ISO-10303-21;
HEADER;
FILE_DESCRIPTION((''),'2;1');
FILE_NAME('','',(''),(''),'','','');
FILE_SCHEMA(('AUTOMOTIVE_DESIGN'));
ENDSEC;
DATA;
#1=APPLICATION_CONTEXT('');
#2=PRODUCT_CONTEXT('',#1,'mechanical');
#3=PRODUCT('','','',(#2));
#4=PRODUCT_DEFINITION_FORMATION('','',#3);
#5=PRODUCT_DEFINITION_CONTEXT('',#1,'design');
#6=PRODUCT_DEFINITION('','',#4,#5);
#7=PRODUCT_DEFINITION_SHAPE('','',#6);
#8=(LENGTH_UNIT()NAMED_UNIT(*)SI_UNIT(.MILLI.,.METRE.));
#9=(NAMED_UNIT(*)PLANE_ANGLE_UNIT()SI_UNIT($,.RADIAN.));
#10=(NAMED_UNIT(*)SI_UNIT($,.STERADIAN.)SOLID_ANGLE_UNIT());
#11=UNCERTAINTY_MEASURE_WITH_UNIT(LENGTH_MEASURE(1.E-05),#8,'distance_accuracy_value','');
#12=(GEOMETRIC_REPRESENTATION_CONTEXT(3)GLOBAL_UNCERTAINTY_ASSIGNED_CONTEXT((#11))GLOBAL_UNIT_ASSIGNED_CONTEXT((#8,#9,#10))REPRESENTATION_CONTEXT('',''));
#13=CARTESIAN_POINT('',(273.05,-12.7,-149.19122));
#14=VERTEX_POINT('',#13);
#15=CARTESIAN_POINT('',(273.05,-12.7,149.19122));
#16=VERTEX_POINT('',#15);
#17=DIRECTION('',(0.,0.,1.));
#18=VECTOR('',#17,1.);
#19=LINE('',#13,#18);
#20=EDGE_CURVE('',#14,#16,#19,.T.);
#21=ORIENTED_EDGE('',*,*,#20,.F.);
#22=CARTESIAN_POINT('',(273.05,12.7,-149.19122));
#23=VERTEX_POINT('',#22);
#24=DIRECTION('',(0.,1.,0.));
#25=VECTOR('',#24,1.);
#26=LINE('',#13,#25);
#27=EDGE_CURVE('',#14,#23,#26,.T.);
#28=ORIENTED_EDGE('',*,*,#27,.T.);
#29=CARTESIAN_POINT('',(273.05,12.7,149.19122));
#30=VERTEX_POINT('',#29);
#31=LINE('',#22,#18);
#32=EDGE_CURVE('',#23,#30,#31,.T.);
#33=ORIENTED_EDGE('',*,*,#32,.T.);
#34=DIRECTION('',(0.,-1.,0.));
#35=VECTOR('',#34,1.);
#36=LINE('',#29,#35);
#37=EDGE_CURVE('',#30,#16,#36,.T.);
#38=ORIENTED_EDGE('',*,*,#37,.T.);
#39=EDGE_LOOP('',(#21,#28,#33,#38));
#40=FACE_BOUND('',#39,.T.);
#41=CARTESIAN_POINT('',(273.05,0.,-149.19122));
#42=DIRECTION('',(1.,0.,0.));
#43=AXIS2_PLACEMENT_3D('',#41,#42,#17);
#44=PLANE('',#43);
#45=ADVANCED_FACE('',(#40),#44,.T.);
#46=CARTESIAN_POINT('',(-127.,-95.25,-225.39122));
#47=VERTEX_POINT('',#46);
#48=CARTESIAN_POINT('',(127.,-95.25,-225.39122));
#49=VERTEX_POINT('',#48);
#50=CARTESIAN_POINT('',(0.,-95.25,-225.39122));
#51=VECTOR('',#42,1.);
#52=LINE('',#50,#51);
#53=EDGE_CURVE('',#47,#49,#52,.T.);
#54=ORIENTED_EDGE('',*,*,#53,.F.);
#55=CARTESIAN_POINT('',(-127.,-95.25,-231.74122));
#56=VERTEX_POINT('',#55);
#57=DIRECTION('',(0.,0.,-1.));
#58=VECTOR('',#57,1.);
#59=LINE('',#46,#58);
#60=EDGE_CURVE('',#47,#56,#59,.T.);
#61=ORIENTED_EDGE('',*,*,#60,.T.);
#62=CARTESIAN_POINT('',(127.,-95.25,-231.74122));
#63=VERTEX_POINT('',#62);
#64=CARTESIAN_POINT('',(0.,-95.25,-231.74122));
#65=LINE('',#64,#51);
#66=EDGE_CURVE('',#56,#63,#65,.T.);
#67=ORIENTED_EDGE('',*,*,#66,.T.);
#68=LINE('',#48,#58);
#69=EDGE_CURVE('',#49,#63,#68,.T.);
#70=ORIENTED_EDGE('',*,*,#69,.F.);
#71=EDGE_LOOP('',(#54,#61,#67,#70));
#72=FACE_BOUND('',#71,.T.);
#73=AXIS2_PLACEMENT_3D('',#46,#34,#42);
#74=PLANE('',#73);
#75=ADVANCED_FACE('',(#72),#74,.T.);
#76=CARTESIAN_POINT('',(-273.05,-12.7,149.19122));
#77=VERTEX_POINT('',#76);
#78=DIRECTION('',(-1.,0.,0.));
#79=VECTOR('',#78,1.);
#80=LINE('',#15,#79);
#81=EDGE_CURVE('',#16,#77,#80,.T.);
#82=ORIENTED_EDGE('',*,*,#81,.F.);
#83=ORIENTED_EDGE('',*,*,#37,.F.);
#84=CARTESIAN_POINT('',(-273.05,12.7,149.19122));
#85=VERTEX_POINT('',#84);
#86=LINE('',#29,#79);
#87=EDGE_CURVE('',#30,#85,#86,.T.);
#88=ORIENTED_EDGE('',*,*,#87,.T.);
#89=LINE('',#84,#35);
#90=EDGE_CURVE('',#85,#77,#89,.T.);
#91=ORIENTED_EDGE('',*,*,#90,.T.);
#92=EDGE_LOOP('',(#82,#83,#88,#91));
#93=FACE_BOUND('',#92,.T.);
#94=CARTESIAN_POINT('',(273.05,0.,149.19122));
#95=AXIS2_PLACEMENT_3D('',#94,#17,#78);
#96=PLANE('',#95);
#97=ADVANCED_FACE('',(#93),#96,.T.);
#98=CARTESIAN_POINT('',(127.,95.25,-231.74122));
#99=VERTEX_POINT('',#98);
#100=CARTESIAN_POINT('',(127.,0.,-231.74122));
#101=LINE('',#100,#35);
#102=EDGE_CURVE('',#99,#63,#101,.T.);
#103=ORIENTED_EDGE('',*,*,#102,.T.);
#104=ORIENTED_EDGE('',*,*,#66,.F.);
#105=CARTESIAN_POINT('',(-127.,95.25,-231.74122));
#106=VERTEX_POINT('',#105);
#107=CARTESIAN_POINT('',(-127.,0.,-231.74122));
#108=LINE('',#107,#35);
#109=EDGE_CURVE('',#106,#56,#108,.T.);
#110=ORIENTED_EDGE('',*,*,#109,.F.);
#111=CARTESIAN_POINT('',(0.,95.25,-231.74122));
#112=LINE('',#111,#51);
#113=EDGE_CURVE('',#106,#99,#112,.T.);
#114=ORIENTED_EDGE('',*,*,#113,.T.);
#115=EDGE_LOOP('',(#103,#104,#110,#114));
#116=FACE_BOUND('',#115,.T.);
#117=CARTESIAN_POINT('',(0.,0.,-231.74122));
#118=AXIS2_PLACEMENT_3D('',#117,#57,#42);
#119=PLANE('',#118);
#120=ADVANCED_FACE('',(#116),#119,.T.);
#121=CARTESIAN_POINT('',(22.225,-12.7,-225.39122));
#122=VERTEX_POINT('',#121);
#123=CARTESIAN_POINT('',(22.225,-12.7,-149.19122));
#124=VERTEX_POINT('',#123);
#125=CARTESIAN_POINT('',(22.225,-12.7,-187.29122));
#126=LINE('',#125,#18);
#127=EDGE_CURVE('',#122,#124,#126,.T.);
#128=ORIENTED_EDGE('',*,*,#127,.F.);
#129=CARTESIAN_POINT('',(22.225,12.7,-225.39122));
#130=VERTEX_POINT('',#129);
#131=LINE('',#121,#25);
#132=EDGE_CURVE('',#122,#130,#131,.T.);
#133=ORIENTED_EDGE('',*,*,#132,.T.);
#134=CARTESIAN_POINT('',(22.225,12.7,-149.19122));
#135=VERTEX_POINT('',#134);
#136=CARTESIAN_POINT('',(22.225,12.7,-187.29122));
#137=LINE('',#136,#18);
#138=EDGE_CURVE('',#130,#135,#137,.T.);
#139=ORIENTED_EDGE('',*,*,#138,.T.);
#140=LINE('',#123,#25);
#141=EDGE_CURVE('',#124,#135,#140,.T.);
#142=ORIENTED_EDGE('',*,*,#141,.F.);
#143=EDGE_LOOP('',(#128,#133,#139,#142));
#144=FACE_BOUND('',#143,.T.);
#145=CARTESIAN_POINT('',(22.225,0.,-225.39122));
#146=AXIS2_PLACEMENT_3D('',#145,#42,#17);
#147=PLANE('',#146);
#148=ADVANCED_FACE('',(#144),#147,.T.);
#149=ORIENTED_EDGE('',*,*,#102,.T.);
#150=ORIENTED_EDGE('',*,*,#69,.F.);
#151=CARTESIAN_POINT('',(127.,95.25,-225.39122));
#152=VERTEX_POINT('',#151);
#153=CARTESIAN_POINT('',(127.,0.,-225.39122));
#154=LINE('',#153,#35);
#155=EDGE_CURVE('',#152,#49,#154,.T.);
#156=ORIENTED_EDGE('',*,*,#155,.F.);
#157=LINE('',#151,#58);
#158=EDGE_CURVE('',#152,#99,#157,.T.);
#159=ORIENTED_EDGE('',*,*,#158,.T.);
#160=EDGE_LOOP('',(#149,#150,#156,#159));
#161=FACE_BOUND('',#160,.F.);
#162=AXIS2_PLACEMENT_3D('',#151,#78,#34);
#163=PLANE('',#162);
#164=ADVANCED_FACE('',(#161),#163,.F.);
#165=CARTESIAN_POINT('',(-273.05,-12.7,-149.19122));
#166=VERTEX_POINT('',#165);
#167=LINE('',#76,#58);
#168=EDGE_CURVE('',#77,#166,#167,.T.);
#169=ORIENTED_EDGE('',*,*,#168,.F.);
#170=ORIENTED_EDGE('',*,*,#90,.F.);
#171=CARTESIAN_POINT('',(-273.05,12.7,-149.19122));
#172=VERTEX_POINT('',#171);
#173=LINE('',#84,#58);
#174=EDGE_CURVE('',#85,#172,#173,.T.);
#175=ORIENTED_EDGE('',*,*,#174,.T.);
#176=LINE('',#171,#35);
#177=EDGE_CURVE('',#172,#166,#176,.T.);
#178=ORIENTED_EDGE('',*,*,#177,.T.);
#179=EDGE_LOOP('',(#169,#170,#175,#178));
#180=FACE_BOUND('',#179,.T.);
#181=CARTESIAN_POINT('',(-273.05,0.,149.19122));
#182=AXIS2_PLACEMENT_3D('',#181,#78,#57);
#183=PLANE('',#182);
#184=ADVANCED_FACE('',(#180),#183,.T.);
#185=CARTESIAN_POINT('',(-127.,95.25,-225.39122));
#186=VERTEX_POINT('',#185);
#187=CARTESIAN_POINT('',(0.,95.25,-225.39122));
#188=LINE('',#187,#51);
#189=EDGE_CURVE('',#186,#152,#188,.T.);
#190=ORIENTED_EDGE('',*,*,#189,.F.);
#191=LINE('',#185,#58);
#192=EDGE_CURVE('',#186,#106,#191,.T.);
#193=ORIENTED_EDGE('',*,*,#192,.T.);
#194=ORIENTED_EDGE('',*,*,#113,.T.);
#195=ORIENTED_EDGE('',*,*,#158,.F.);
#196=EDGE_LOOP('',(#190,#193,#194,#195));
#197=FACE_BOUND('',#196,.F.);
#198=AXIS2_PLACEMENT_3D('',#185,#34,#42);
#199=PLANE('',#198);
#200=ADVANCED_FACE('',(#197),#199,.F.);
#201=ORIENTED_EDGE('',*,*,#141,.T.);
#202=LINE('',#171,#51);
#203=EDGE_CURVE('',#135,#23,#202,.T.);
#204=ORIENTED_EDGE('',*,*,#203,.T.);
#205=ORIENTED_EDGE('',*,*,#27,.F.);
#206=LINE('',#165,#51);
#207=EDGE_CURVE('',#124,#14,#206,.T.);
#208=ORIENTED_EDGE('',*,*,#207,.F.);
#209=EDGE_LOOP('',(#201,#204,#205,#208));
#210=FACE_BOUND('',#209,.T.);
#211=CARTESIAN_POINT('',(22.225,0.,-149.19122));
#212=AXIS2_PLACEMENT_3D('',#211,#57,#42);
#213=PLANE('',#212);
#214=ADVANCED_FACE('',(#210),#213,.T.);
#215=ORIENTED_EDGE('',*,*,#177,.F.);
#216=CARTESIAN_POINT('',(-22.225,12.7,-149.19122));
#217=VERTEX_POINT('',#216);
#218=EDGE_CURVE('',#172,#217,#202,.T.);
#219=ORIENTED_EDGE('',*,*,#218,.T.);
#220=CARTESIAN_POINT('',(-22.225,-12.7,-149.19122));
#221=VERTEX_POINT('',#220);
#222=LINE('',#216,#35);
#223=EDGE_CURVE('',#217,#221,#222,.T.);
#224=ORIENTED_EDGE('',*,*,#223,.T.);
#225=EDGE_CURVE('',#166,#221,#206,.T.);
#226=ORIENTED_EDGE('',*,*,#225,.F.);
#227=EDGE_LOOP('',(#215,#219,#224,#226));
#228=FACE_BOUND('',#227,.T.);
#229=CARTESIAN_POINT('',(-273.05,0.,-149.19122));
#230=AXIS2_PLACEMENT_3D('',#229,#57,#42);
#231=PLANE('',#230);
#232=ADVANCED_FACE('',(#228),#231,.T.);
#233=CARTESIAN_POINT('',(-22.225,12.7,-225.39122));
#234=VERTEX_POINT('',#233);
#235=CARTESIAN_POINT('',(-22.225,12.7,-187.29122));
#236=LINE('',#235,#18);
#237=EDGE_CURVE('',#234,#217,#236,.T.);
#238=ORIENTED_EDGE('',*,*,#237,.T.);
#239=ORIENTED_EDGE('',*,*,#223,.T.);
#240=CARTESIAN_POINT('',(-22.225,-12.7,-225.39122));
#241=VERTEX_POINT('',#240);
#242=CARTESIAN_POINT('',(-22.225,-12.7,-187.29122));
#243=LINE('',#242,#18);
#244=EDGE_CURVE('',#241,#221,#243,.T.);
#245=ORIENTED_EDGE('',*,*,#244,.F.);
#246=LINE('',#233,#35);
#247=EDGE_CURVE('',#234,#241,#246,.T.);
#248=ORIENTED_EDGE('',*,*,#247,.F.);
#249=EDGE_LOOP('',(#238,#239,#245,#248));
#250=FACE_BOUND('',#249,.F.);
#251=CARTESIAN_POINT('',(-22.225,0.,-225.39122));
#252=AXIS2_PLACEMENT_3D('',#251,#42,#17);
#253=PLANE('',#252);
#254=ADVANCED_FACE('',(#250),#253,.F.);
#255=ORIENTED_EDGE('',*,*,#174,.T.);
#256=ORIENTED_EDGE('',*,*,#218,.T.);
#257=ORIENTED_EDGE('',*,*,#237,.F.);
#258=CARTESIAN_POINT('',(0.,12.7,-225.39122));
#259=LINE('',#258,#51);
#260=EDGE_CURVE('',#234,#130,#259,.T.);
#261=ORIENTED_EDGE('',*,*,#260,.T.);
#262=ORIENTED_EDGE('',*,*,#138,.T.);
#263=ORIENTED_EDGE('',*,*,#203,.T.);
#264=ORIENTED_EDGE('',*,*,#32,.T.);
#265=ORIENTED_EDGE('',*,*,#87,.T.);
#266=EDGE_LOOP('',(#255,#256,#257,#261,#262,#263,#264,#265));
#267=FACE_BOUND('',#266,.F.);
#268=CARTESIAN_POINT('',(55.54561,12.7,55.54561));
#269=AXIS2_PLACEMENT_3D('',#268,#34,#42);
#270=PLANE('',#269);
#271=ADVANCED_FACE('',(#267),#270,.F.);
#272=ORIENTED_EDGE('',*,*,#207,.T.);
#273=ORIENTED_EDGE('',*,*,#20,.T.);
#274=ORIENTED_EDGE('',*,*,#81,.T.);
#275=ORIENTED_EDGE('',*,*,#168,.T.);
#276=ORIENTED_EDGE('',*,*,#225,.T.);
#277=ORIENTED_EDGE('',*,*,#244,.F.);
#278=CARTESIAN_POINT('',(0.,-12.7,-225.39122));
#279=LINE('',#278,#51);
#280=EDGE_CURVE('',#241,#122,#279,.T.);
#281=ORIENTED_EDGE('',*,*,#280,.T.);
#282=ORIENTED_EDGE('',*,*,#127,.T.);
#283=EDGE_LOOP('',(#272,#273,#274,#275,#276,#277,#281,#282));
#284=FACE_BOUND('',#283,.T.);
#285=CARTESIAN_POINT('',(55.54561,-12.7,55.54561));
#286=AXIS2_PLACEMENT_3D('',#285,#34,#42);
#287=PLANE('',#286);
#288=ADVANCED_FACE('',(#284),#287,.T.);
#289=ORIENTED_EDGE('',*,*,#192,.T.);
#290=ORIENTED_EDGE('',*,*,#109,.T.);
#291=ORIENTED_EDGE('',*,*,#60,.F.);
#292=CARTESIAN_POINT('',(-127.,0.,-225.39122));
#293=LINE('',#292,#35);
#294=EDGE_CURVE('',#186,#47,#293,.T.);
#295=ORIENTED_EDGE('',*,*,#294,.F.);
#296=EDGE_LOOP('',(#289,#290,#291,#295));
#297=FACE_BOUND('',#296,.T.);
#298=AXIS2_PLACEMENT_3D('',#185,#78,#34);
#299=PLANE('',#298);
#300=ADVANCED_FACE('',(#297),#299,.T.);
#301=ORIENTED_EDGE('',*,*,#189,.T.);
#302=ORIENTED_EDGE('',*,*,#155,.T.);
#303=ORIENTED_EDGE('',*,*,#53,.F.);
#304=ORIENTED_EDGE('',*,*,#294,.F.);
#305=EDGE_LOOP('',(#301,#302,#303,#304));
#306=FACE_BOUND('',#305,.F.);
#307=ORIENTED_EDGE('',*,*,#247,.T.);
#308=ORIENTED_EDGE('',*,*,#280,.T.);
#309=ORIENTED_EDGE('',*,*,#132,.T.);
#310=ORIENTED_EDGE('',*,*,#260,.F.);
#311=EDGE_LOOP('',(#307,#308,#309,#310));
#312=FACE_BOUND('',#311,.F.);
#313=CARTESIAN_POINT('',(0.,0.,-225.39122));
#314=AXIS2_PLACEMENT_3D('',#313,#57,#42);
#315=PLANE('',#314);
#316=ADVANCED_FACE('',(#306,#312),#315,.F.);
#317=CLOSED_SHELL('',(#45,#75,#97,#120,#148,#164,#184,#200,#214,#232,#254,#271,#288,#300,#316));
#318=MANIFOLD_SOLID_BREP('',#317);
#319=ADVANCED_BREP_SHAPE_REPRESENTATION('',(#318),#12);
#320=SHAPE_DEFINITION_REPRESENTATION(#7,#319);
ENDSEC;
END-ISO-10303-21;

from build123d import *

# Parameters (mm, degrees)
F0_W     = 44.45
F0_H     = 76.2
F1_DEPTH = 12.7
F2_W     = 254
F2_H     = 190.5
F3_DEPTH = 6.35


with BuildPart() as f1:
    # F0 (on Front) → F1 (new body, symmetric)
    with BuildSketch(Plane.XZ):
        Polygon((273.05, -149.19122), (273.05, 149.19122), (-273.05, 149.19122), align=None)
        Polygon((273.05, -149.19122), (-273.05, 149.19122), (-273.05, -149.19122), (-22.225, -149.19122), (22.225, -149.19122), align=None)
        with Locations((0, -187.29122)):
            Rectangle(F0_W, F0_H)
    extrude(amount=F1_DEPTH, both=True)

    # F2 (on face) → F3 (join)
    with BuildSketch(Plane(origin=(0, 0, -225.39122), x_dir=(1, 0, 0), z_dir=(0, 0, -1))):
        Rectangle(F2_W, F2_H)
    extrude(amount=F3_DEPTH)


solid = f1.part
